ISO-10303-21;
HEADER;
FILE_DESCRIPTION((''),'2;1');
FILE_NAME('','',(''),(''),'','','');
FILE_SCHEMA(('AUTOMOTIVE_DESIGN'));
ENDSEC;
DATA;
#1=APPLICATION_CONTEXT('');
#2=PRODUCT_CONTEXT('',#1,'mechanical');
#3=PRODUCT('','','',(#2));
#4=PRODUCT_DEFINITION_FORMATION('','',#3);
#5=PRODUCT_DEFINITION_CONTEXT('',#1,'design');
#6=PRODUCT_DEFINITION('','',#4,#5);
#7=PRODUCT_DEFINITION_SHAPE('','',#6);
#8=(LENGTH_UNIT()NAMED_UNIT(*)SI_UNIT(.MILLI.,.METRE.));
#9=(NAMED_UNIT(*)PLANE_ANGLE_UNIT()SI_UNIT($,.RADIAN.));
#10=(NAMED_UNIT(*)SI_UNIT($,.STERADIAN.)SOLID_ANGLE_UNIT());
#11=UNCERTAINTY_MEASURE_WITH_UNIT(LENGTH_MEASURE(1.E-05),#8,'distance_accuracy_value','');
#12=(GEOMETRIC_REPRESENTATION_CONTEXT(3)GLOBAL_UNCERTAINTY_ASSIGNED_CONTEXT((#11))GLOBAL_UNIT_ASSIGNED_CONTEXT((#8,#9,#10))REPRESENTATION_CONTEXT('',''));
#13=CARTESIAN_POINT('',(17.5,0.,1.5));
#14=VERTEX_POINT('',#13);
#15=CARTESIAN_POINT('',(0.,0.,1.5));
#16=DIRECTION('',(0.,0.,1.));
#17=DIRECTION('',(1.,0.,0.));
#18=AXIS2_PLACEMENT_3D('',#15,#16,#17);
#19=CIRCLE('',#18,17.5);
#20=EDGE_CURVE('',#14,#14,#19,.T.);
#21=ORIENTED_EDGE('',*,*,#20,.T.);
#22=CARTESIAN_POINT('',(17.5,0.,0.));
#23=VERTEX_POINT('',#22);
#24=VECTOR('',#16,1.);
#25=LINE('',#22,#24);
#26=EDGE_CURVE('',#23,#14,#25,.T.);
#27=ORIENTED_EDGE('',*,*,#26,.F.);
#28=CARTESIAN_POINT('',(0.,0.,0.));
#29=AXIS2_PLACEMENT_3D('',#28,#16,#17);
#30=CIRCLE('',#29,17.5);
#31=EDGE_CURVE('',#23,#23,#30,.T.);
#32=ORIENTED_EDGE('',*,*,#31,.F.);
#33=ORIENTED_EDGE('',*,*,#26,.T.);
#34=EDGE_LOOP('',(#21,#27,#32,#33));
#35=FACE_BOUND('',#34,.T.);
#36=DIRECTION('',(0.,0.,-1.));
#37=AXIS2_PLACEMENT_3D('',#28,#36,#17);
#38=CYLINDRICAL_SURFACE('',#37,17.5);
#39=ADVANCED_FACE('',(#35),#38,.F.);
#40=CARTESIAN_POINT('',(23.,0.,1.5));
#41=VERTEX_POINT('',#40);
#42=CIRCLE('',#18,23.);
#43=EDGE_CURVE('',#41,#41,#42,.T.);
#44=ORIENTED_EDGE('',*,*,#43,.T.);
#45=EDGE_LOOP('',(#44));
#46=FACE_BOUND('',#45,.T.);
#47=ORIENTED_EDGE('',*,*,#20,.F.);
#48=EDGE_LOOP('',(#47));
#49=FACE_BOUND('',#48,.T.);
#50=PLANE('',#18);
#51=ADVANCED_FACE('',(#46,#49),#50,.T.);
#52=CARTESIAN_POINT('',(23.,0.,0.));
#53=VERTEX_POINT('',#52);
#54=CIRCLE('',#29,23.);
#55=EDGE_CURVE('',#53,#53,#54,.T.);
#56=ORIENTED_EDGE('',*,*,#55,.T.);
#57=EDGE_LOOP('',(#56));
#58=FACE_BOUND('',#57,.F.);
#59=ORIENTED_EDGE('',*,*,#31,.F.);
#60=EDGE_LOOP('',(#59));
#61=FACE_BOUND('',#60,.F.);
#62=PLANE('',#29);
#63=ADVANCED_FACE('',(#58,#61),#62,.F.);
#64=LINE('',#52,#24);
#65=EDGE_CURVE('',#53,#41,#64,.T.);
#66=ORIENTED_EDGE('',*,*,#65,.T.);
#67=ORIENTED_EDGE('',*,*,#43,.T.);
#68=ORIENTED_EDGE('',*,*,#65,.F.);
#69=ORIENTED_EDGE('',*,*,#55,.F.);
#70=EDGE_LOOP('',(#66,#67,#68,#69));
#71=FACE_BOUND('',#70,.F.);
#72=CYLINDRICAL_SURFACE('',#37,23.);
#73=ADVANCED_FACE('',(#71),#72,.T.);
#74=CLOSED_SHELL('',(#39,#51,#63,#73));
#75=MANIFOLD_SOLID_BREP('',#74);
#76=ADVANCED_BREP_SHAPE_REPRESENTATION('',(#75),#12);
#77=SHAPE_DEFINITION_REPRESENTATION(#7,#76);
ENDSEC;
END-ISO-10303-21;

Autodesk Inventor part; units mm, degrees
ref_plane "YZ Plane" through (0, 0, 0) normal (1, 0, 0) x (0, 1, 0)
ref_plane "XZ Plane" through (0, 0, 0) normal (0, 1, 0) x (-1, 0, 0)
ref_plane "XY Plane" through (0, 0, 0) normal (0, 0, 1) x (1, 0, 0)
sketch "Sketch1" plane through (0, 0, 0) normal (0, 0, 1) x (1, 0, 0)
  circle A0 centre (0, 0) radius 23
  circle A1 centre (0, 0) radius 17.5
  dimension "d0" = 46
  dimension "d1" = 35
extrude "Extrusion1" add sketch "Sketch1" along normal blind 1.5
properties material "Rubber"
